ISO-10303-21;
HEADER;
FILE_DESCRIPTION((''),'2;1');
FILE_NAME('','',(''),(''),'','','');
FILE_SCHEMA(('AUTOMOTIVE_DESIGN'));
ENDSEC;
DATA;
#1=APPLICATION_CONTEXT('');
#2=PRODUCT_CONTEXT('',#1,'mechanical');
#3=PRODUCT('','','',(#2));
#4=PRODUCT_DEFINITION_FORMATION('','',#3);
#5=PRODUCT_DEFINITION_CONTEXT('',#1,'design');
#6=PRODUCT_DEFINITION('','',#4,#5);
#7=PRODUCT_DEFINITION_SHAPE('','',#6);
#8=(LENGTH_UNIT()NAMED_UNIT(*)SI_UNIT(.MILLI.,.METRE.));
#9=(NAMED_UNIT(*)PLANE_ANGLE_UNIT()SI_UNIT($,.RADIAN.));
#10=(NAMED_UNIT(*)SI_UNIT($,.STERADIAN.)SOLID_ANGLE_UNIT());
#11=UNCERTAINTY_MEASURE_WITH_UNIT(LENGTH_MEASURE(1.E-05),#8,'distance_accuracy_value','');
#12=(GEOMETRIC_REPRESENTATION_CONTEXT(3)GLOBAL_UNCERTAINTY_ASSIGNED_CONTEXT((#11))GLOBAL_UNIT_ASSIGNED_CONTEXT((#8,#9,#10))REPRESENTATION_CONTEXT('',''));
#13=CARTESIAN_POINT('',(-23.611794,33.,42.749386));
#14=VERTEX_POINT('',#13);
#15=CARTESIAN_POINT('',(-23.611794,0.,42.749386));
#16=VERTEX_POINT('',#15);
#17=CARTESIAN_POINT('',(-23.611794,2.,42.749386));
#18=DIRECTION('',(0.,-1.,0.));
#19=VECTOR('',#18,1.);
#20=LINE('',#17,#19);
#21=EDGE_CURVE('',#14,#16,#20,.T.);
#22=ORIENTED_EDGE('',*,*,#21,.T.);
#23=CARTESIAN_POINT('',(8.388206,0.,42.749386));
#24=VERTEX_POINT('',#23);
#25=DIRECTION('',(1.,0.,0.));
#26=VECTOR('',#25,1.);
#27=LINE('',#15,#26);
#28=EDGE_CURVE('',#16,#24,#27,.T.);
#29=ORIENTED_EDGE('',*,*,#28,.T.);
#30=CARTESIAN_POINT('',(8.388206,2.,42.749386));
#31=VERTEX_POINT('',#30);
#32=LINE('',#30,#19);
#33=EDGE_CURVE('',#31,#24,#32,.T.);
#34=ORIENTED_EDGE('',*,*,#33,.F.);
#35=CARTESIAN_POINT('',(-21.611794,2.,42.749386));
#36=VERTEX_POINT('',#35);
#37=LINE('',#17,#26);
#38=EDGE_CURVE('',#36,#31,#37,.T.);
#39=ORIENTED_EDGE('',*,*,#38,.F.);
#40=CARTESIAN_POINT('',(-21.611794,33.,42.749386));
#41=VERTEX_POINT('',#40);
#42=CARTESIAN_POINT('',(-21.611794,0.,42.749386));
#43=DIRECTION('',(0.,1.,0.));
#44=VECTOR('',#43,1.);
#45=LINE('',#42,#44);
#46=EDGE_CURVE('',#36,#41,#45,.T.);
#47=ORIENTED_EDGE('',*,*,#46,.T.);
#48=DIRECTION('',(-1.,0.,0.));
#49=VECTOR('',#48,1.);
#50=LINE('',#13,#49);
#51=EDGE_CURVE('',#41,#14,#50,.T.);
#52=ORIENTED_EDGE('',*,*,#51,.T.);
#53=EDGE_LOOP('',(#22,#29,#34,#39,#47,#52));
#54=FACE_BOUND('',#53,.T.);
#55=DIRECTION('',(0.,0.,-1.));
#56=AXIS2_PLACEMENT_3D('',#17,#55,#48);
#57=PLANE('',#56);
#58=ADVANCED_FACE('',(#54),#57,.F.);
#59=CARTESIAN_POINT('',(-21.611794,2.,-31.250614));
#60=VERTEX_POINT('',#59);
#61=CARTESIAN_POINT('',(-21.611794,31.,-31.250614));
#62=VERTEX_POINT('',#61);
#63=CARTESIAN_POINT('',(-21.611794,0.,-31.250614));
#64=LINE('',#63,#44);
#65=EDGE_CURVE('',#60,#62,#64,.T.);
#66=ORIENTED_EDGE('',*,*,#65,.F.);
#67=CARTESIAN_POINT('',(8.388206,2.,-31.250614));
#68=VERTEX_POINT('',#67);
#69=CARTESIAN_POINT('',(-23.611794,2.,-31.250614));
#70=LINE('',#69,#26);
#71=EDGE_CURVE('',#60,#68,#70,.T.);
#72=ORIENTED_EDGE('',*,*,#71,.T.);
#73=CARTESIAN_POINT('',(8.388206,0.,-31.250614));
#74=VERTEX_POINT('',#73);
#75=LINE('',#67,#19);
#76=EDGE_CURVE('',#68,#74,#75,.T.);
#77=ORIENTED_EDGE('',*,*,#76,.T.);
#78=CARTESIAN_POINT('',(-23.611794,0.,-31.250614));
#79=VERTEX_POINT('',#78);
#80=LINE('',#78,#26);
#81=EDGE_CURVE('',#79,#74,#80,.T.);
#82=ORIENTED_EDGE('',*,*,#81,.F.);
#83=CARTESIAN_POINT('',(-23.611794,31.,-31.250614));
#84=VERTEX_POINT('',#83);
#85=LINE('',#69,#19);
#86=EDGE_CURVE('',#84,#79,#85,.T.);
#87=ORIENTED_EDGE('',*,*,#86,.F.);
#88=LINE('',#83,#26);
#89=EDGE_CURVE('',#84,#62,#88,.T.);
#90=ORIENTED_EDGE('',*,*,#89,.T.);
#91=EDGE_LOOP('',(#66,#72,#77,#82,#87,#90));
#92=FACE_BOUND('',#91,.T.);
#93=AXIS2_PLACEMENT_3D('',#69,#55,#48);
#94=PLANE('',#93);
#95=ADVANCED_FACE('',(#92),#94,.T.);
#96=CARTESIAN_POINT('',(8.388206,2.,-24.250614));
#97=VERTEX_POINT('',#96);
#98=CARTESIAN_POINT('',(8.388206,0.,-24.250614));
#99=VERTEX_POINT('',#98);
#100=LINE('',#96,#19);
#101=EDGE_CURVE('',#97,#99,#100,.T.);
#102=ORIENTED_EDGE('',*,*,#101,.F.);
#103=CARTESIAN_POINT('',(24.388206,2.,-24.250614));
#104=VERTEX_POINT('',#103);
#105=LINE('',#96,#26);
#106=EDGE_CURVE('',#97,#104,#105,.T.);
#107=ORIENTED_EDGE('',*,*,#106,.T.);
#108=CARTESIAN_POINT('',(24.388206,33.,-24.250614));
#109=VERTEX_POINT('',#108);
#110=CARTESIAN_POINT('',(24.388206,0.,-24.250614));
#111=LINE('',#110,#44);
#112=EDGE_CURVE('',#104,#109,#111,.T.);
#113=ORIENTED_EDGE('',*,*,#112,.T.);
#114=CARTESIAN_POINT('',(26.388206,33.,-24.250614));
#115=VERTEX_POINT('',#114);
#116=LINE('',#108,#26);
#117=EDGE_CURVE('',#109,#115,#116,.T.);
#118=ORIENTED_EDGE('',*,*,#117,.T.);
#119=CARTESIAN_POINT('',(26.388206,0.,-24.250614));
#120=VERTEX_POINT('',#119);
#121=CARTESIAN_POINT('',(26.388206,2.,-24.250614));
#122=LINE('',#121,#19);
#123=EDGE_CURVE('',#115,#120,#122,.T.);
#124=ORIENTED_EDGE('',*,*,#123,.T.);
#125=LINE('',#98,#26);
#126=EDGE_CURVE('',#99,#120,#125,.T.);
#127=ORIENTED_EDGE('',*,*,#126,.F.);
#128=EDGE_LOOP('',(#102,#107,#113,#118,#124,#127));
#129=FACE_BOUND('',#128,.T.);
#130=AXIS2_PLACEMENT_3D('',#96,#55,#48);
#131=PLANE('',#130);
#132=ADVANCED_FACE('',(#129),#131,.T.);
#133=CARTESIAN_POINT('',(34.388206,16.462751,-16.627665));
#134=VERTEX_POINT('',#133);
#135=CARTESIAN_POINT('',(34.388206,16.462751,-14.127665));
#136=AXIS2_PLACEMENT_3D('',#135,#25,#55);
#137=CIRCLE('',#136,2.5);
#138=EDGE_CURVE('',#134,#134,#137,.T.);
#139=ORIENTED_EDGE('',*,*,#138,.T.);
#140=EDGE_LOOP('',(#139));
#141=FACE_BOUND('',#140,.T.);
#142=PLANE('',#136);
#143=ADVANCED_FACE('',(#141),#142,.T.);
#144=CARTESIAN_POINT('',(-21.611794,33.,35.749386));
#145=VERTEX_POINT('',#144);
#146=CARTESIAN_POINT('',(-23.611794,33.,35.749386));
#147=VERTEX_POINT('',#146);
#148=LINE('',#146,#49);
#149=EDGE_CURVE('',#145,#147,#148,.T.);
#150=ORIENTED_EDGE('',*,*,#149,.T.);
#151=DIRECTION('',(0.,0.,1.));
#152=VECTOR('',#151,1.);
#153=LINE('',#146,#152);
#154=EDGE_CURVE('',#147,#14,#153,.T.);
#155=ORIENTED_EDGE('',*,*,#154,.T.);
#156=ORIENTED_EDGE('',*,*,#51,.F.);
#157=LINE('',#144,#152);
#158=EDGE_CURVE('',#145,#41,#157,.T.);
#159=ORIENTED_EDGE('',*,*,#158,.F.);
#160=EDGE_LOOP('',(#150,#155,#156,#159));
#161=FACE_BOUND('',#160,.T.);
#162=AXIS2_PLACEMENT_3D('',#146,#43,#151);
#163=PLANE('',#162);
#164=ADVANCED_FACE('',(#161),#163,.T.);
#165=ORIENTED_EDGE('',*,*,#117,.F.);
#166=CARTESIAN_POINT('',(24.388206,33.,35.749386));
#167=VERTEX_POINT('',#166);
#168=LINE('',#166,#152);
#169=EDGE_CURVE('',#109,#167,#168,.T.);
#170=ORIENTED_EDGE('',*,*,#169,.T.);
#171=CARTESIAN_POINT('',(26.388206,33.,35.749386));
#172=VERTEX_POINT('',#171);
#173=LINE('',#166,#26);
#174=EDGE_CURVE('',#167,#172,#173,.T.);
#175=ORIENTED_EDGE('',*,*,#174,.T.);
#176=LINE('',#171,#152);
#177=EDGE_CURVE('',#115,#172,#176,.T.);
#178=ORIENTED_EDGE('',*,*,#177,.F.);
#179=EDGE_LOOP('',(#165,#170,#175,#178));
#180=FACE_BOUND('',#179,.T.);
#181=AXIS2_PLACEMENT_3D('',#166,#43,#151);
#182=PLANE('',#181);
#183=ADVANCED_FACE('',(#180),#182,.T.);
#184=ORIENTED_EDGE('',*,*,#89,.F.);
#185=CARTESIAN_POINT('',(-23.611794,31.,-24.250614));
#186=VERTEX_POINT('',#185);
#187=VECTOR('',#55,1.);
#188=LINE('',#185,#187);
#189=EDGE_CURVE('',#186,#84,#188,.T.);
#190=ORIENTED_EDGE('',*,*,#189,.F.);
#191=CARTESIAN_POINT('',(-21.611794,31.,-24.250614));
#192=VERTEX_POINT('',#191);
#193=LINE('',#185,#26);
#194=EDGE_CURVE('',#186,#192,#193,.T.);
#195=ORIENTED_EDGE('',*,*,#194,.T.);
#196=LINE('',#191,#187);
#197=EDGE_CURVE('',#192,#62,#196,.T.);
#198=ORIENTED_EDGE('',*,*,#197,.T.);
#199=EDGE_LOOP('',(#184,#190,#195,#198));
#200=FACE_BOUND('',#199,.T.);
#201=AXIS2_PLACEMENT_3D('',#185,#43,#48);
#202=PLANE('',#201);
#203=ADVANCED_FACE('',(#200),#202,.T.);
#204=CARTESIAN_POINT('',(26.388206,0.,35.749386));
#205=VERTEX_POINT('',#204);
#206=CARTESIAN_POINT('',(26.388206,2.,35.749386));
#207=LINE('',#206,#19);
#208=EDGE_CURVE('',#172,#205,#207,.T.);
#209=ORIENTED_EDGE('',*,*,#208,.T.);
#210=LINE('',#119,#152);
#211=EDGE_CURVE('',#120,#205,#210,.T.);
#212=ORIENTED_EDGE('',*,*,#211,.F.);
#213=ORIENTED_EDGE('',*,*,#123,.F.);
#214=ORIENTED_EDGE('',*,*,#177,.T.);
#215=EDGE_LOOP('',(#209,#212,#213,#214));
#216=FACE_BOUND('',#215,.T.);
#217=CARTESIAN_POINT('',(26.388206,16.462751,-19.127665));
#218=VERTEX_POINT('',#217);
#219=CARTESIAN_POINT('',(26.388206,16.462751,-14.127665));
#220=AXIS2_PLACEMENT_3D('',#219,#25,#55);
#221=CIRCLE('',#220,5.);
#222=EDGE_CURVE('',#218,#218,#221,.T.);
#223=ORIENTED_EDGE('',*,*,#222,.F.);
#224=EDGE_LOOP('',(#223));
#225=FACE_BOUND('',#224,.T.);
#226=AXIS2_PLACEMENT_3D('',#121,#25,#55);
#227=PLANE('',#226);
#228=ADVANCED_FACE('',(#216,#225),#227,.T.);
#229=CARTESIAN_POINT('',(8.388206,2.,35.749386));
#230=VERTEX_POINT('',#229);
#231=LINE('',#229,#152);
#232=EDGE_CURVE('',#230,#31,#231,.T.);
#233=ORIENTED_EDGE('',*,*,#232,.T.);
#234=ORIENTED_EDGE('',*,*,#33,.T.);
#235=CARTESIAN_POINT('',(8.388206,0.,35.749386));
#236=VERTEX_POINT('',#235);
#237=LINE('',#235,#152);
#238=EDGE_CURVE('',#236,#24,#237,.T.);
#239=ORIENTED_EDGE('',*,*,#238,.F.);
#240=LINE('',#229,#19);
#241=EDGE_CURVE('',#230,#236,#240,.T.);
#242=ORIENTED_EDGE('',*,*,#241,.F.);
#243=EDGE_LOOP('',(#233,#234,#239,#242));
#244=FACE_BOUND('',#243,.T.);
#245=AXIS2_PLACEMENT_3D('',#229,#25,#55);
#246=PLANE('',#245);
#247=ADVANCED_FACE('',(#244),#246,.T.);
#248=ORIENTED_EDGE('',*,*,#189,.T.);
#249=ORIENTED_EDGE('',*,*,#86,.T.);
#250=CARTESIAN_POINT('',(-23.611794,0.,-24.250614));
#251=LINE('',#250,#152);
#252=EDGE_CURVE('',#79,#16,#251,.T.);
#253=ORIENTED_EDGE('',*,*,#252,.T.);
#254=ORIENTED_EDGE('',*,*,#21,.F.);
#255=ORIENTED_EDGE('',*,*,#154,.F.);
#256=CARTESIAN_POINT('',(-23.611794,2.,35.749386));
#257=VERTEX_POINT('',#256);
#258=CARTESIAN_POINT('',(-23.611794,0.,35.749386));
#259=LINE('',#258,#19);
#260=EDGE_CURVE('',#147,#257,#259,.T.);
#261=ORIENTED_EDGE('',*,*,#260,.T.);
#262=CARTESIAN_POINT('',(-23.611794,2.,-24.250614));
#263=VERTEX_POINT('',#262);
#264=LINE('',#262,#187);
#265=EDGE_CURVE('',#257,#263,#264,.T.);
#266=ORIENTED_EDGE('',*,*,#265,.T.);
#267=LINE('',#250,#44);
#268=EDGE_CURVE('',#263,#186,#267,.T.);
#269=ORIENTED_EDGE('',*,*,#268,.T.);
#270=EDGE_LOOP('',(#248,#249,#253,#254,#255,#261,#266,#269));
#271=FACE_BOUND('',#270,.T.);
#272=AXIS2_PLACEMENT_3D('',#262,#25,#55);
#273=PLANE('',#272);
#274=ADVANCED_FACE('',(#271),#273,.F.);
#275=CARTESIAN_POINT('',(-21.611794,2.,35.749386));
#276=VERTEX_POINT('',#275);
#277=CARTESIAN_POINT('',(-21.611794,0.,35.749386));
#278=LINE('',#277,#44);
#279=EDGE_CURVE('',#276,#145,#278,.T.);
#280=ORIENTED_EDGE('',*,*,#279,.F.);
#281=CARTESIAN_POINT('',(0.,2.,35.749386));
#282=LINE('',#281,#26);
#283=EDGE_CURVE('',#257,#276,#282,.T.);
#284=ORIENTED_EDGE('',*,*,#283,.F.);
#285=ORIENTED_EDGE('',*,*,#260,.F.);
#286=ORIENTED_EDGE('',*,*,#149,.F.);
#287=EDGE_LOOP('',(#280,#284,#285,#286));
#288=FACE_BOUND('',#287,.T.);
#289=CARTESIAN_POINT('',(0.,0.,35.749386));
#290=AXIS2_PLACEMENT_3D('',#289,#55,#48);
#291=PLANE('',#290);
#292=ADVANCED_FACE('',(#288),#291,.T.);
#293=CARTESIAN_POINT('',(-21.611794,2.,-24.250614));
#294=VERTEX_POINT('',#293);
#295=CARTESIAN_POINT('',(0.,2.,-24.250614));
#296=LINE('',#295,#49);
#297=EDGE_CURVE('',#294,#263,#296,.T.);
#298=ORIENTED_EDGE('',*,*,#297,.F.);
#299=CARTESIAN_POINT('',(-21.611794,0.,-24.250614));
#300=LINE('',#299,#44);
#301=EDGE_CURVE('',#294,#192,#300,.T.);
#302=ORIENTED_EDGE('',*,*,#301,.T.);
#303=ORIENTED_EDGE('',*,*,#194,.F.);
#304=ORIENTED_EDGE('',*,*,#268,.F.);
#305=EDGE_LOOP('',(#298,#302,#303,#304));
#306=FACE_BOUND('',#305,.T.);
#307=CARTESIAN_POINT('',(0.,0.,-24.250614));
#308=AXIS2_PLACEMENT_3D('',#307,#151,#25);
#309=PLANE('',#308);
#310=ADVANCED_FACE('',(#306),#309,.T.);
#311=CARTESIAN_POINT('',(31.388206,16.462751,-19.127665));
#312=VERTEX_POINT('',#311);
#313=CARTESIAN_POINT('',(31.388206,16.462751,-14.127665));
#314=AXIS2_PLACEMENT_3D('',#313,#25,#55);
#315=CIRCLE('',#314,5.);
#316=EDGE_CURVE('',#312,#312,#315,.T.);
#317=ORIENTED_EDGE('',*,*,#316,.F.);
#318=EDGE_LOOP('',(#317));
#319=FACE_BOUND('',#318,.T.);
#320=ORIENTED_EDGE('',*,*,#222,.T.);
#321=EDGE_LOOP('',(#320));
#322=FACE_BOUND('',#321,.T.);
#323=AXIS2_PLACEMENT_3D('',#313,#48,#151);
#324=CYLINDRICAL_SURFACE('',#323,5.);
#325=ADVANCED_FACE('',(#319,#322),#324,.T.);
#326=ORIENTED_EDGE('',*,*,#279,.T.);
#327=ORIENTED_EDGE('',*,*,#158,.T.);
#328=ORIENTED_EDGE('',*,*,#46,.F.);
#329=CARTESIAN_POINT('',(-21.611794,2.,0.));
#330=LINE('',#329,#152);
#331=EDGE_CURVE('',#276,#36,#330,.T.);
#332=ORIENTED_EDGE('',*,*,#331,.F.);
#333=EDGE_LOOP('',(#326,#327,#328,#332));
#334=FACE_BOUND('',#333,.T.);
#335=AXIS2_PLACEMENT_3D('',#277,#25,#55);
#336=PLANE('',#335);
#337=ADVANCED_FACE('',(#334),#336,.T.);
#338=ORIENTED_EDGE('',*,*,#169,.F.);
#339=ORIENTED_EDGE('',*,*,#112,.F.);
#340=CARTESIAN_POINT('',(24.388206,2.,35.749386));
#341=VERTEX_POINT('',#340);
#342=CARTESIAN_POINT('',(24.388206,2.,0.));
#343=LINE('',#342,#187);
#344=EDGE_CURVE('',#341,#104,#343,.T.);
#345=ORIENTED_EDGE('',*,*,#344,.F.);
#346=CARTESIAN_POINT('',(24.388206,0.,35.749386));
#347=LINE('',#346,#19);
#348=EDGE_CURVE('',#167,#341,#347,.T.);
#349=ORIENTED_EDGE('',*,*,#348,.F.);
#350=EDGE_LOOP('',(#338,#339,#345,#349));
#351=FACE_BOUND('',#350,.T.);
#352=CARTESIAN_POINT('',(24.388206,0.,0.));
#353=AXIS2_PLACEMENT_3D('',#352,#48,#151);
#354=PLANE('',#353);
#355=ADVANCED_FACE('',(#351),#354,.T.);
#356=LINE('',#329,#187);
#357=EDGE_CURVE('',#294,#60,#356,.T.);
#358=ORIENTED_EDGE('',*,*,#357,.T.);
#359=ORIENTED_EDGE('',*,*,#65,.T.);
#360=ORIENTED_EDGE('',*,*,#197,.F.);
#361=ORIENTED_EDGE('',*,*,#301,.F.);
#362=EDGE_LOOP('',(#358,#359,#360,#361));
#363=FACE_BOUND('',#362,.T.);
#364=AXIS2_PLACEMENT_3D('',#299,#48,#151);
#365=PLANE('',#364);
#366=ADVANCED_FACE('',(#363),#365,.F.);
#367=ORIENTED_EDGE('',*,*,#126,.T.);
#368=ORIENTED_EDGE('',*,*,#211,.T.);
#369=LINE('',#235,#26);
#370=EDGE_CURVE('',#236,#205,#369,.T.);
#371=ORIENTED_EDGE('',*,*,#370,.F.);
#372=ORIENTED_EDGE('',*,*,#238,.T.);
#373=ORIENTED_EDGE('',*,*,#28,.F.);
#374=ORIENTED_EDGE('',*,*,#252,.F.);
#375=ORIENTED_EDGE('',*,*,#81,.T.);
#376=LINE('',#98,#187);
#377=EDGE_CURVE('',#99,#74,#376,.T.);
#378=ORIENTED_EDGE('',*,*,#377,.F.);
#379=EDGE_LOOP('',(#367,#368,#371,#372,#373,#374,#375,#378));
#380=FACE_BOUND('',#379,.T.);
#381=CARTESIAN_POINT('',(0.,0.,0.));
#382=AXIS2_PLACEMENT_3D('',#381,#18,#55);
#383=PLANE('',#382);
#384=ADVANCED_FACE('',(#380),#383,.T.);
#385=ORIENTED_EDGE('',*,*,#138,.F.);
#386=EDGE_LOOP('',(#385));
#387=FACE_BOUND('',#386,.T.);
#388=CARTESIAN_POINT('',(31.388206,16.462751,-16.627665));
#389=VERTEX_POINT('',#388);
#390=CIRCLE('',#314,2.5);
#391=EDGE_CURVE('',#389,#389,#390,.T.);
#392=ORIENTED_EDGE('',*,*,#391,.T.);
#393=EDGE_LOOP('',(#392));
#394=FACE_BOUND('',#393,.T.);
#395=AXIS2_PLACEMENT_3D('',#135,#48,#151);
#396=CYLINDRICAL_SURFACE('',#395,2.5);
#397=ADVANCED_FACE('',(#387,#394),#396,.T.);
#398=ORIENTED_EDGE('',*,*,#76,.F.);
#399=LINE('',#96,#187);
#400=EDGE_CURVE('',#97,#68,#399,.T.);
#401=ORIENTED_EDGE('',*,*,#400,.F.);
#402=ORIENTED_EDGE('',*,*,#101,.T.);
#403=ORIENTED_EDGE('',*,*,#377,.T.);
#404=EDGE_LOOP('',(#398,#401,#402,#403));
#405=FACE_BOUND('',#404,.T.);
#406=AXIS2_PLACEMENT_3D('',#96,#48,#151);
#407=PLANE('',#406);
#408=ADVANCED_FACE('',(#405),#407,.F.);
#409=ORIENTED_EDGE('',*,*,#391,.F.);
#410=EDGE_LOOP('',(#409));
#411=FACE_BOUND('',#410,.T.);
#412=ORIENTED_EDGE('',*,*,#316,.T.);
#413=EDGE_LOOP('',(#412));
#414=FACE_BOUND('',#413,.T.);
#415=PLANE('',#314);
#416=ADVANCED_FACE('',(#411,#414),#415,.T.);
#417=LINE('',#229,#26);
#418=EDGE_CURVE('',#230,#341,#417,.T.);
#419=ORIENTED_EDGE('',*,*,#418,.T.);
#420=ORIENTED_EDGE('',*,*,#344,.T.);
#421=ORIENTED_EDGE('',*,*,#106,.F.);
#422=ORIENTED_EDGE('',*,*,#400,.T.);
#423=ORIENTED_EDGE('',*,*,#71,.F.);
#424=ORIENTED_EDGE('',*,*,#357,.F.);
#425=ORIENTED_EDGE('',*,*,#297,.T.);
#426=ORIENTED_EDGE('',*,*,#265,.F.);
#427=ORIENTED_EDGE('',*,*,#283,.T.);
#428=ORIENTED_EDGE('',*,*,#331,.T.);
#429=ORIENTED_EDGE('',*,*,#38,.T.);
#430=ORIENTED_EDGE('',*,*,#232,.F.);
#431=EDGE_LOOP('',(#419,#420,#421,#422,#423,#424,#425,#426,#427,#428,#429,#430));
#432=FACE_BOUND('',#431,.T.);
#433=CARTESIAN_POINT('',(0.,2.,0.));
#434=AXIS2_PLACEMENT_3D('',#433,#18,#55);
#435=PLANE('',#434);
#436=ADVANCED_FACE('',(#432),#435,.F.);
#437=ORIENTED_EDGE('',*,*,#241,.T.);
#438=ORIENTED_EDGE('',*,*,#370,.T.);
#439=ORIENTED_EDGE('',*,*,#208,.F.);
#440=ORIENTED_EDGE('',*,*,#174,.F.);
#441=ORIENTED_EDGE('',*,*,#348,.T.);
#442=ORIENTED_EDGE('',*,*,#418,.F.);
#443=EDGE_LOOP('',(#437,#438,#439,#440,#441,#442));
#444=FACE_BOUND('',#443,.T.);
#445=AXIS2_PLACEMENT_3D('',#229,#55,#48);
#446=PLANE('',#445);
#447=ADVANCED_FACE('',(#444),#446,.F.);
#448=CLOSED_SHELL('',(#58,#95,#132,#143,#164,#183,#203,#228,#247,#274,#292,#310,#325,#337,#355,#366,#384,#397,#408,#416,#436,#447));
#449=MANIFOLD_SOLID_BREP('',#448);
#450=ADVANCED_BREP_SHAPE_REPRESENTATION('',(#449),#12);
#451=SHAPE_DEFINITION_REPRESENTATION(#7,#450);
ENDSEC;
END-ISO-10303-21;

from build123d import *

# Parameters (mm, degrees)
BOSS_EXTRU_1_DEPTH = 2
ESQUISSE4_W        = 2
ESQUISSE4_H        = 33
BOSS_EXTRU_2_DEPTH = 7
ESQUISSE6_W        = 60
ESQUISSE6_H        = 33
BOSS_EXTRU_3_DEPTH = 2
ESQUISSE7_W        = 2
ESQUISSE7_H        = 31
BOSS_EXTRU_4_DEPTH = 7
ESQUISSE8_R        = 5
BOSS_EXTRU_5_DEPTH = 5
ESQUISSE9_R        = 2.5
BOSS_EXTRU_6_DEPTH = 3


with BuildPart() as part:
    # Esquisse1 → Boss.-Extru.1 (new body)
    with BuildSketch(Plane(origin=(0, 0, 0), x_dir=(1, 0, 0), z_dir=(0, 1, 0))):
        Polygon((8.388206388, 24.250614251), (26.388206388, 24.250614251), (26.388206388, -35.749385749), (8.388206388, -35.749385749), (8.388206388, -42.749385749), (-23.611793612, -42.749385749), (-23.611793612, -35.749385749), (-23.611793612, 24.250614251), (-23.611793612, 31.250614251), (8.388206388, 31.250614251), align=None)
    extrude(amount=BOSS_EXTRU_1_DEPTH)

    # Esquisse4 → Boss.-Extru.2 (add)
    with BuildSketch(Plane.XY.offset(42.749385749)):
        with Locations((-22.611793612, 16.5)):
            Rectangle(ESQUISSE4_W, ESQUISSE4_H)
    extrude(amount=-BOSS_EXTRU_2_DEPTH)

    # Esquisse6 → Boss.-Extru.3 (add)
    with BuildSketch(Plane(origin=(26.388206388, 0, 0), x_dir=(0, 0, -1), z_dir=(1, 0, 0))):
        with Locations((-5.749385749, 16.5)):
            Rectangle(ESQUISSE6_W, ESQUISSE6_H)
    extrude(amount=-BOSS_EXTRU_3_DEPTH)

    # Esquisse7 → Boss.-Extru.4 (add)
    with BuildSketch(Plane(origin=(0, 0, -31.250614251), x_dir=(-1, 0, 0), z_dir=(0, 0, -1))):
        with Locations((22.611793612, 15.5)):
            Rectangle(ESQUISSE7_W, ESQUISSE7_H)
    extrude(amount=-BOSS_EXTRU_4_DEPTH)

    # Esquisse8 → Boss.-Extru.5 (add)
    with BuildSketch(Plane(origin=(26.388206388, 0, 0), x_dir=(0, 0, -1), z_dir=(1, 0, 0))):
        with Locations((14.127664827, 16.462750596)):
            Circle(ESQUISSE8_R)
    extrude(amount=BOSS_EXTRU_5_DEPTH)

    # Esquisse9 → Boss.-Extru.6 (add)
    with BuildSketch(Plane(origin=(31.388206388, 0, 0), x_dir=(0, 0, -1), z_dir=(1, 0, 0))):
        with Locations((14.127664827, 16.462750596)):
            Circle(ESQUISSE9_R)
    extrude(amount=BOSS_EXTRU_6_DEPTH)


solid = part.part
